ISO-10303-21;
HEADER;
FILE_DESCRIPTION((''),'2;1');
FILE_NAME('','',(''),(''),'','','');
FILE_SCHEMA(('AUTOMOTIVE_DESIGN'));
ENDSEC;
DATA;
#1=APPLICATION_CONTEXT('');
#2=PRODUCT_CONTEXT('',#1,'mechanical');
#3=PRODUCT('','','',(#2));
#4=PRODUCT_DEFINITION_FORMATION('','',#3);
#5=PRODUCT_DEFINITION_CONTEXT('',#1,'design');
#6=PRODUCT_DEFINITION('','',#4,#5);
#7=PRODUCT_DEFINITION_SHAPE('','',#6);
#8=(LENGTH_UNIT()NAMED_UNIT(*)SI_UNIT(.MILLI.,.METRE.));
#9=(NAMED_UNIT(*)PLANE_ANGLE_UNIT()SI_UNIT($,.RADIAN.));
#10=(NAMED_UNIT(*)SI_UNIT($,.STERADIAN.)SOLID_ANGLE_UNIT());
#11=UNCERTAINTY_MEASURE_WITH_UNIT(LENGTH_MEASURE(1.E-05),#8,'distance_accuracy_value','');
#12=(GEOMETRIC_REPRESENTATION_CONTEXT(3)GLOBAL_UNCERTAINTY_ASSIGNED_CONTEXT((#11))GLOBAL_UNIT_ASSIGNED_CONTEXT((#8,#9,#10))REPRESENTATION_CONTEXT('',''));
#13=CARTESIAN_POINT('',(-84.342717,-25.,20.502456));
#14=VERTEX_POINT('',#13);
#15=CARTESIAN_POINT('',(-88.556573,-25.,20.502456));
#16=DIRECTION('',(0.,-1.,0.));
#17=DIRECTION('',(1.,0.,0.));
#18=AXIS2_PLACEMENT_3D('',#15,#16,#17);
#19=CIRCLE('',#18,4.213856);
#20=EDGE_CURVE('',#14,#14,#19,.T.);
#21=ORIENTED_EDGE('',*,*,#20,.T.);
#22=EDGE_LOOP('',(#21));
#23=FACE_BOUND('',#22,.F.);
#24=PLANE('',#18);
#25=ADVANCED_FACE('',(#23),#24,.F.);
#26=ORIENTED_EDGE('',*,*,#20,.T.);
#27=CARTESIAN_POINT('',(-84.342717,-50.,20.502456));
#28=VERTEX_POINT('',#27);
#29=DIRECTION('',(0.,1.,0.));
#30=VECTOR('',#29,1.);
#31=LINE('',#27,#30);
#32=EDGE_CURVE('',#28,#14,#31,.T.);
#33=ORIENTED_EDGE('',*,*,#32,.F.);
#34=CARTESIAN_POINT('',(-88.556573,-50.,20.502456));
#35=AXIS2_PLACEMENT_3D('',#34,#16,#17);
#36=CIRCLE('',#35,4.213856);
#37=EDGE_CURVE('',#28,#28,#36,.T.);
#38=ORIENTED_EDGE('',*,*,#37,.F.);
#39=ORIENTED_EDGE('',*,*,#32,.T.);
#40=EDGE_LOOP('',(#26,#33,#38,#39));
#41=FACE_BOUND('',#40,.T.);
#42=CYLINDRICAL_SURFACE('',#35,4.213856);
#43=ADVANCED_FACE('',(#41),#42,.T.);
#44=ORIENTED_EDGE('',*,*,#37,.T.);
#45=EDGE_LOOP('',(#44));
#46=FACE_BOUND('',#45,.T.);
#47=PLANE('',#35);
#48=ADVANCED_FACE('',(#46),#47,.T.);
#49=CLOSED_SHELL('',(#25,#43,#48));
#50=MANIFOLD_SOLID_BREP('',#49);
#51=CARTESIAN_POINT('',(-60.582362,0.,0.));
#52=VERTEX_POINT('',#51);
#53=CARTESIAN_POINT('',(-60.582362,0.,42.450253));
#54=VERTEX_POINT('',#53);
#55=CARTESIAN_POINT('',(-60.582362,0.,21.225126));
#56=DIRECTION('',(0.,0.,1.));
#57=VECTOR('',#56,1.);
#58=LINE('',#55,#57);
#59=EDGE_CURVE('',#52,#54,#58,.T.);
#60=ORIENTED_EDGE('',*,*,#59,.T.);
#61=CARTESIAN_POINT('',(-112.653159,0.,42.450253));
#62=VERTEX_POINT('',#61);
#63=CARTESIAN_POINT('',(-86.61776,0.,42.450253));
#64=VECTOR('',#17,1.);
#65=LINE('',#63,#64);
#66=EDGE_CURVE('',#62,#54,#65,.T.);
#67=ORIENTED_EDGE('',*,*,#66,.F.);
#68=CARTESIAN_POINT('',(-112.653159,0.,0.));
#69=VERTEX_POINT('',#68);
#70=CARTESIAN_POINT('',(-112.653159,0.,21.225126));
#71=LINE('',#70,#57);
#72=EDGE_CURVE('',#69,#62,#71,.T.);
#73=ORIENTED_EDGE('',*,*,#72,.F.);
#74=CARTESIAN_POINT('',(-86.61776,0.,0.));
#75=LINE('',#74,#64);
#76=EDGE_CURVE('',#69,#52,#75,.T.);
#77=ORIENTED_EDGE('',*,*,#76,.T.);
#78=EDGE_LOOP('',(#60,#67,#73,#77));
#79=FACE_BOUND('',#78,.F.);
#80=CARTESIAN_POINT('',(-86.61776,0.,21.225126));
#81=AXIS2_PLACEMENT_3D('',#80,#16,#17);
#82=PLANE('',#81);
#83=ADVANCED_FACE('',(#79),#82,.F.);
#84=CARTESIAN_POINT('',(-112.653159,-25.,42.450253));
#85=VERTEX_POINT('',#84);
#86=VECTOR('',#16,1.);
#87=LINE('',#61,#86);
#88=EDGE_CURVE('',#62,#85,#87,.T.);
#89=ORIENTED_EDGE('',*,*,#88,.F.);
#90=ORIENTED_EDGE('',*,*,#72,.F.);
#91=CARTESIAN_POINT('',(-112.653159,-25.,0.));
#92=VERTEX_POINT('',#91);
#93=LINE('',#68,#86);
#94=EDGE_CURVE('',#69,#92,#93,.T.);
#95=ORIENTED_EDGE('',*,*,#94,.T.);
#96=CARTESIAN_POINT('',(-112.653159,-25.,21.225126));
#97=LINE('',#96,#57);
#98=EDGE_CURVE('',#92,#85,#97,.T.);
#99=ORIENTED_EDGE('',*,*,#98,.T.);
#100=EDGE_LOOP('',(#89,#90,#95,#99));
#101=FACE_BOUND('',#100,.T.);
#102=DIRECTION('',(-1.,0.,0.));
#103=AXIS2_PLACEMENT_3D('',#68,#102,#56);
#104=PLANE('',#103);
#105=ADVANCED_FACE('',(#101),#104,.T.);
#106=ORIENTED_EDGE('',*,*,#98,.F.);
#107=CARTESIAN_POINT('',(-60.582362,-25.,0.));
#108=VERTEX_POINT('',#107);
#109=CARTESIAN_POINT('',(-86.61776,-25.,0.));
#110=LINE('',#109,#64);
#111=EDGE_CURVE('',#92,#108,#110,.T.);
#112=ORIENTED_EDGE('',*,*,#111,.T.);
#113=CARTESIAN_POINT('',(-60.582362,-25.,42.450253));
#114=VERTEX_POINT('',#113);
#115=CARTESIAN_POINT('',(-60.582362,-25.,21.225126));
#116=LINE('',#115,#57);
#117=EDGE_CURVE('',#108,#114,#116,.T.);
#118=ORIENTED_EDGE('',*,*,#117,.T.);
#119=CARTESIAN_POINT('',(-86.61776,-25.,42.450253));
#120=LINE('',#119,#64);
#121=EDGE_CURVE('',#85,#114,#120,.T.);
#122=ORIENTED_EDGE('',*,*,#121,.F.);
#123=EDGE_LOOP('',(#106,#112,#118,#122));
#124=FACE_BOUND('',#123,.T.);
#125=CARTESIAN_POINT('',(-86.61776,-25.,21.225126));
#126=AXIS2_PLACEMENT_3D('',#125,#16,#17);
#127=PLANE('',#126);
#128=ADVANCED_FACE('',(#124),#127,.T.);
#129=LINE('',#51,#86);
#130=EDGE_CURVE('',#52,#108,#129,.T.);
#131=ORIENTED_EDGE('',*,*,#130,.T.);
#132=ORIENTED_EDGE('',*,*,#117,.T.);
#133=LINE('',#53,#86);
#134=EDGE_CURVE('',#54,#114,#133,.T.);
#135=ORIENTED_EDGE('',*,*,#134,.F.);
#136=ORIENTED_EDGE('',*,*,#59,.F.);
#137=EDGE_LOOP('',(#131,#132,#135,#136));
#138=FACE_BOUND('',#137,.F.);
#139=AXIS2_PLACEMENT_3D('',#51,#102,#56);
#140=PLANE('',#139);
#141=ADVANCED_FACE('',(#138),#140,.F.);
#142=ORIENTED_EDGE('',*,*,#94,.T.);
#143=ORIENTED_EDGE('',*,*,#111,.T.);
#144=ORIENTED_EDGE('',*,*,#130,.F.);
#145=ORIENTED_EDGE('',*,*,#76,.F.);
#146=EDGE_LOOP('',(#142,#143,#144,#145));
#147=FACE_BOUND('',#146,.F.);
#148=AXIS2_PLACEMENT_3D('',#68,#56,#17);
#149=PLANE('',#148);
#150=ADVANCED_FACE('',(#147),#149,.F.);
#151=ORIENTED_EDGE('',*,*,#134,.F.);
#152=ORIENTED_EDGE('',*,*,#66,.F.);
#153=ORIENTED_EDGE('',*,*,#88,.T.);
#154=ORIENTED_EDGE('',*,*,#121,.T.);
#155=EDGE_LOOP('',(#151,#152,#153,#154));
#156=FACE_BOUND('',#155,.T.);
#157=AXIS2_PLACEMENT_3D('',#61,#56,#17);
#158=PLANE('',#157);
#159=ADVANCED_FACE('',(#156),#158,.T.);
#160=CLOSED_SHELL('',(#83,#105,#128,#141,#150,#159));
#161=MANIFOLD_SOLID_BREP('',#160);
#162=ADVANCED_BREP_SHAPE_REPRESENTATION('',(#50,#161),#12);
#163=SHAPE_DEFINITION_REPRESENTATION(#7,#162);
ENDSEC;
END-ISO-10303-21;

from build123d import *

# Parameters (mm, degrees)
F0_W     = 52.0707964897
F0_H     = 42.4502529204
F1_DEPTH = 25
F3_R     = 4.2138559649
F4_DEPTH = 25


with BuildPart() as f1:
    # F0 (on Front) → F1 (new body)
    with BuildSketch(Plane.XZ):
        with Locations((-86.6177603602, 21.2251264602)):
            Rectangle(F0_W, F0_H)
    extrude(amount=F1_DEPTH)


with BuildPart() as f4:
    # F3 (on offset) → F4 (new body, through all)
    with BuildSketch(Plane.XZ.offset(50)):
        with Locations((-88.5565727949, 20.5024555326)):
            Circle(F3_R)
    extrude(amount=-F4_DEPTH)


solid = Compound([f1.part, f4.part])
